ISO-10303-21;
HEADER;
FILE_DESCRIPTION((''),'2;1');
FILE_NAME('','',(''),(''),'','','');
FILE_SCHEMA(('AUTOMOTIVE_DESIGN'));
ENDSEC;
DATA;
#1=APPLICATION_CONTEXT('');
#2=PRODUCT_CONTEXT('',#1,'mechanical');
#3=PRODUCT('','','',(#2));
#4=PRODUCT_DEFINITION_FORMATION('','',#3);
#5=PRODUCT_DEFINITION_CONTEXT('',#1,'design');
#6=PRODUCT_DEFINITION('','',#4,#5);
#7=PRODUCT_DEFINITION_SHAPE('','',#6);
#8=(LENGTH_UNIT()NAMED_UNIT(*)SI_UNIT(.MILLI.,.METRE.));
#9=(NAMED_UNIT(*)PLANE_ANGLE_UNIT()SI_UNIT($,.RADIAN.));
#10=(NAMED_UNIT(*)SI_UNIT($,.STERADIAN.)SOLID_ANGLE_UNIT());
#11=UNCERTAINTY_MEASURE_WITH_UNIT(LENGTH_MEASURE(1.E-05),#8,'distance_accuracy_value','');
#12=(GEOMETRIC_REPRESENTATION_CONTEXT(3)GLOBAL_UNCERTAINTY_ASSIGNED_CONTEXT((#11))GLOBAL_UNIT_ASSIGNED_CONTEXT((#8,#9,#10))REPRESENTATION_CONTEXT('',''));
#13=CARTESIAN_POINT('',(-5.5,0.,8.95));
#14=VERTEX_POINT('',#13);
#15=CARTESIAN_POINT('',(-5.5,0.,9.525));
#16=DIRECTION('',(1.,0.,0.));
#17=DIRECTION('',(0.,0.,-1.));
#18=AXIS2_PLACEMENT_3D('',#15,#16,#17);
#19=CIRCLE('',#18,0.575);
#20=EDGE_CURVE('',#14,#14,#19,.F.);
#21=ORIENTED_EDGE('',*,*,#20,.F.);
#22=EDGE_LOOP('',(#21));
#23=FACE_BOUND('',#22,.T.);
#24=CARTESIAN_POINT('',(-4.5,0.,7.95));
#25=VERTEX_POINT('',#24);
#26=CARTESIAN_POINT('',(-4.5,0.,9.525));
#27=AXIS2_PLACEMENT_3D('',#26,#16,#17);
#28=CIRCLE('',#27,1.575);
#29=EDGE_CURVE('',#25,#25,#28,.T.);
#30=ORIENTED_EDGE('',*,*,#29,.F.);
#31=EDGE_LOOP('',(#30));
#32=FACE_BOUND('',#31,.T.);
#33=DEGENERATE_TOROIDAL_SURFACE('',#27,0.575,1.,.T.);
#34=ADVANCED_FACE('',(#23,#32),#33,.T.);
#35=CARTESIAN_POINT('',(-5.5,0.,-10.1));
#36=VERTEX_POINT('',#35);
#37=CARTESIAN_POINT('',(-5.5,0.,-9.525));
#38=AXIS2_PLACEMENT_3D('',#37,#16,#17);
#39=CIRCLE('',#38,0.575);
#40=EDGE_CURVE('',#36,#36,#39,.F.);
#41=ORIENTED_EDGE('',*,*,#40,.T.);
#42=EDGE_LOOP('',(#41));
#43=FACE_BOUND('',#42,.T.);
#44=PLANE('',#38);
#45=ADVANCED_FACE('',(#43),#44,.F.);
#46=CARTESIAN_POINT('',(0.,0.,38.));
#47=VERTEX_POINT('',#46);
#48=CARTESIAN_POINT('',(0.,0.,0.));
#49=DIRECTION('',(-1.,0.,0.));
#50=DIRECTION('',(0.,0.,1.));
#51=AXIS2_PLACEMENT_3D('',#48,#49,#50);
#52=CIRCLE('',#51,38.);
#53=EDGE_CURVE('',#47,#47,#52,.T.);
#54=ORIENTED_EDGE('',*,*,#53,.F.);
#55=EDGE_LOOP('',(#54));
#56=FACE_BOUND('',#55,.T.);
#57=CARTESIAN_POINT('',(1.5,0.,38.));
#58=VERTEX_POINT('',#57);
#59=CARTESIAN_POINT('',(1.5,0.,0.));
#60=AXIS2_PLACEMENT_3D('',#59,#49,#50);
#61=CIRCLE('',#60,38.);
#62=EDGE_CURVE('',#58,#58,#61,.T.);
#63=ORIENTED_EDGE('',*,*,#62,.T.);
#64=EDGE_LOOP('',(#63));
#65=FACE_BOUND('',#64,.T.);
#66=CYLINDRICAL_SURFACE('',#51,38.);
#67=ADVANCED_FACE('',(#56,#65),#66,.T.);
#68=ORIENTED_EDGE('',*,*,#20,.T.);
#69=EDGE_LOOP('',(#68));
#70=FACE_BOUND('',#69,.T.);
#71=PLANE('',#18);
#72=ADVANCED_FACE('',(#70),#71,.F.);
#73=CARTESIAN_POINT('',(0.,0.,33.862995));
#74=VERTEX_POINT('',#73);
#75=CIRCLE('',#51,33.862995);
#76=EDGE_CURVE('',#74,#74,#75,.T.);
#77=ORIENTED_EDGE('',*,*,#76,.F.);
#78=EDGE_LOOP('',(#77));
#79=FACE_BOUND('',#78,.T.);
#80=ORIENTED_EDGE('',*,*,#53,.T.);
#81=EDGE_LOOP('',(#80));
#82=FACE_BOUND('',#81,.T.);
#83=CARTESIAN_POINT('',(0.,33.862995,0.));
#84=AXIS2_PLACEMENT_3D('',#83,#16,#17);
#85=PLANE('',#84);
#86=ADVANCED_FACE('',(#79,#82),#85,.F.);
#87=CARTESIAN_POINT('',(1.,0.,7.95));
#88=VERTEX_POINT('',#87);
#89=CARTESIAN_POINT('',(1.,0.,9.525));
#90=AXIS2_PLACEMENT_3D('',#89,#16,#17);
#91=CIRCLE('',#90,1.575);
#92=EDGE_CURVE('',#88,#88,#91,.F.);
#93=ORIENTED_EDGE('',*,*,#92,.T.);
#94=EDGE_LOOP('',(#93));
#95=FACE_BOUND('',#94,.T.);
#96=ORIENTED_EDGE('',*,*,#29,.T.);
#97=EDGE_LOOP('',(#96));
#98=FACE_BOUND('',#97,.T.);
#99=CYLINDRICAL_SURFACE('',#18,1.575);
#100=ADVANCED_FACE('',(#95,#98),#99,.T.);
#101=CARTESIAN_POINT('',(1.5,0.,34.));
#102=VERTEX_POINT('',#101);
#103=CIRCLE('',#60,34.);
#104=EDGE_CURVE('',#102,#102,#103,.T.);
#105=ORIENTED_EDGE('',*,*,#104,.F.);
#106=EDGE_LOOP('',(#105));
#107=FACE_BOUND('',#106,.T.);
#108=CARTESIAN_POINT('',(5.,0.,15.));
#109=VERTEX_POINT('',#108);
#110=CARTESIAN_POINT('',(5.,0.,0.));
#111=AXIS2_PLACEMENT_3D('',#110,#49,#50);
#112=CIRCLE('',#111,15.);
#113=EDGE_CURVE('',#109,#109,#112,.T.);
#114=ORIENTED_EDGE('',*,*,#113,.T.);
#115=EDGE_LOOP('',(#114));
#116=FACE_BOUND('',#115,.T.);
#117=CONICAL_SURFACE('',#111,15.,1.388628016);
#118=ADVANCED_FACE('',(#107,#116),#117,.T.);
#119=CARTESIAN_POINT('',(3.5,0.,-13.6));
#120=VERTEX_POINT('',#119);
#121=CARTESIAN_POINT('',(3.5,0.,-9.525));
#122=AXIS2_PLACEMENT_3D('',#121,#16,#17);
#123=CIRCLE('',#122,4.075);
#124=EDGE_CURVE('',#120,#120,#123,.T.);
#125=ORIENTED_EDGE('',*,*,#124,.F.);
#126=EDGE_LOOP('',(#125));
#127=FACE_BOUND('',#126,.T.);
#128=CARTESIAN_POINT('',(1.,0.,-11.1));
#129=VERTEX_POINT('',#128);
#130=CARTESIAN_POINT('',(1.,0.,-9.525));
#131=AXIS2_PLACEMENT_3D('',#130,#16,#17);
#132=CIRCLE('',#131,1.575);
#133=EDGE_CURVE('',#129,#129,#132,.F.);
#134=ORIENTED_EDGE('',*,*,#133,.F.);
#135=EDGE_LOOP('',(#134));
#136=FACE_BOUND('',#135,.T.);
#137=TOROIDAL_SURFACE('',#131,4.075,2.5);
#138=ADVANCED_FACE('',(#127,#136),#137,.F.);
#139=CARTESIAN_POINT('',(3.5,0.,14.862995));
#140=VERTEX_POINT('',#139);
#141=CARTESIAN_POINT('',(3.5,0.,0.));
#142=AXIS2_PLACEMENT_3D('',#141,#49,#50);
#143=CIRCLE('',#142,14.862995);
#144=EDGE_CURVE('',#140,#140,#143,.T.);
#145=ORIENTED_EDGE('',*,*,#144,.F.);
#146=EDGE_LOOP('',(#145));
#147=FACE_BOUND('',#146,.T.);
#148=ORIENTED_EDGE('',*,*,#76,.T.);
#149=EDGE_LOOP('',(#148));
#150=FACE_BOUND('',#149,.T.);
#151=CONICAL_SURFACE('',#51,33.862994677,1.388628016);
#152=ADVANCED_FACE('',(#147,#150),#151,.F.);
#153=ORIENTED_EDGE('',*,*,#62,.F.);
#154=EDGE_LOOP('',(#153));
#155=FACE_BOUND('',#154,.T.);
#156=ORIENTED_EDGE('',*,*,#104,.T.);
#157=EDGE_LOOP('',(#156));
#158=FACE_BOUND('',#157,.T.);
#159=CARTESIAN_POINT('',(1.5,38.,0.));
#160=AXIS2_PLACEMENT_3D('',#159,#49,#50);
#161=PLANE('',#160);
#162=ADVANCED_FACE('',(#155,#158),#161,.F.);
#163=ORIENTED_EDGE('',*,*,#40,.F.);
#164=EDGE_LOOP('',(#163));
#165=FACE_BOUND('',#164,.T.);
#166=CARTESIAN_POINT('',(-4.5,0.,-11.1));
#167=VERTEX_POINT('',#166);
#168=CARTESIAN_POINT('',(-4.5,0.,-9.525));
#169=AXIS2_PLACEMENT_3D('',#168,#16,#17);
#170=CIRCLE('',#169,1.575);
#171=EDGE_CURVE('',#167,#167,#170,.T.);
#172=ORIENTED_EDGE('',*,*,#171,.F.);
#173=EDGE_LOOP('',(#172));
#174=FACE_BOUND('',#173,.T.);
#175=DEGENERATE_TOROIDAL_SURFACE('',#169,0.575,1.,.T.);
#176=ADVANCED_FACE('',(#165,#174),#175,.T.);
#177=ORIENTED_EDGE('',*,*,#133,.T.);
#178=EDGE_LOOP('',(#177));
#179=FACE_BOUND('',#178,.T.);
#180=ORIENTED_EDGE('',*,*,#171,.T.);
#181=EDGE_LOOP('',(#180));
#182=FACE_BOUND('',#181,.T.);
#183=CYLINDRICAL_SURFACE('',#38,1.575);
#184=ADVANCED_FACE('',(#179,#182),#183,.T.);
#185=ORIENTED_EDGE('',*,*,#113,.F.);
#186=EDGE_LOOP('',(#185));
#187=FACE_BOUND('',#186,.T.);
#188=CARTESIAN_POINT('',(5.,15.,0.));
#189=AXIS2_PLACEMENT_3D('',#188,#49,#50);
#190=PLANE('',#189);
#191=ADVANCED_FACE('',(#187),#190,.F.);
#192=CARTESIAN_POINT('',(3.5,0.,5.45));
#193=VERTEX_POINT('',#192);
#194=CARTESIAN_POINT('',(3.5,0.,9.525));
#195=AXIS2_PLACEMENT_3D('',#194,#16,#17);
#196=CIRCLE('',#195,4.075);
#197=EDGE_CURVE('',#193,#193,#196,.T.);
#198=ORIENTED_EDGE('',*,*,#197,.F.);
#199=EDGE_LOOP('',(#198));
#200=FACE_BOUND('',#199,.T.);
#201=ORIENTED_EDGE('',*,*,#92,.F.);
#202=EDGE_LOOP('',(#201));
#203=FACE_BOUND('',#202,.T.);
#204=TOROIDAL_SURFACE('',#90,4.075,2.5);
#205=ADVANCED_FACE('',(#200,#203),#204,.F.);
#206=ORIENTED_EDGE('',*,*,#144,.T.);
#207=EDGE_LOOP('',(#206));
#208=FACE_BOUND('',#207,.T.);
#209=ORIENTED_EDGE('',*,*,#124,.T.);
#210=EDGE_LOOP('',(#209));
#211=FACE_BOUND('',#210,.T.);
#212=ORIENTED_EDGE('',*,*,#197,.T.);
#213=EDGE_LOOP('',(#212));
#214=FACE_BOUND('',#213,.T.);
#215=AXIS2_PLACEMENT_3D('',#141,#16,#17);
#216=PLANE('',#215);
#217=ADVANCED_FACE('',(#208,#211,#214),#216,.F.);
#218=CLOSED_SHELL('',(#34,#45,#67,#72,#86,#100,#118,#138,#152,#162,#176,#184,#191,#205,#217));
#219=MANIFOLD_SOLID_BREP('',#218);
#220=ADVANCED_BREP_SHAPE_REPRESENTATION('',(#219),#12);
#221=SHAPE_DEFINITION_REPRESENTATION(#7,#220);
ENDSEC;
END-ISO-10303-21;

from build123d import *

# Parameters (mm, degrees)
AUFSATZ_LINEAR_START            = 3.5
SKIZZE2_R                       = 1.575
AUFSATZ_LINEAR_AUSTRAGEN1_DEPTH = 9
VERRUNDUNG1_R                   = 1
VERRUNDUNG2_R                   = 2.5


with BuildPart() as part:
    # Skizze1 → Rotation1 (revolve)
    with BuildSketch(Plane.XY):
        Polygon((0, 33.862994677), (0, 38), (1.5, 38), (1.5, 34), (5, 15), (5, 0), (3.5, 0), (3.5, 14.862994677), align=None)
    revolve(axis=Axis((0, 0, 0), (1, 0, 0)))

    # Skizze2 → Aufsatz-Linear austragen1 (add)
    with BuildSketch(Plane(origin=(0, 0, 0), x_dir=(0, 0, -1), z_dir=(1, 0, 0)).offset(AUFSATZ_LINEAR_START)):
        with Locations((9.525, 0)):
            Circle(SKIZZE2_R)
        with Locations((-9.525, 0)):
            Circle(SKIZZE2_R)
    extrude(amount=-AUFSATZ_LINEAR_AUSTRAGEN1_DEPTH)

    # Verrundung1
    verrundung1_edges = [part.edges().sort_by_distance(p)[0] for p in [
        (-5.5, 0, -7.95),
        (-5.5, 0, 11.1),
    ]]
    fillet(verrundung1_edges, radius=VERRUNDUNG1_R)

    # Verrundung2
    verrundung2_edges = [part.edges().sort_by_distance(p)[0] for p in [
        (3.5, 0, -7.95),
        (3.5, 0, 11.1),
    ]]
    fillet(verrundung2_edges, radius=VERRUNDUNG2_R)


solid = part.part
